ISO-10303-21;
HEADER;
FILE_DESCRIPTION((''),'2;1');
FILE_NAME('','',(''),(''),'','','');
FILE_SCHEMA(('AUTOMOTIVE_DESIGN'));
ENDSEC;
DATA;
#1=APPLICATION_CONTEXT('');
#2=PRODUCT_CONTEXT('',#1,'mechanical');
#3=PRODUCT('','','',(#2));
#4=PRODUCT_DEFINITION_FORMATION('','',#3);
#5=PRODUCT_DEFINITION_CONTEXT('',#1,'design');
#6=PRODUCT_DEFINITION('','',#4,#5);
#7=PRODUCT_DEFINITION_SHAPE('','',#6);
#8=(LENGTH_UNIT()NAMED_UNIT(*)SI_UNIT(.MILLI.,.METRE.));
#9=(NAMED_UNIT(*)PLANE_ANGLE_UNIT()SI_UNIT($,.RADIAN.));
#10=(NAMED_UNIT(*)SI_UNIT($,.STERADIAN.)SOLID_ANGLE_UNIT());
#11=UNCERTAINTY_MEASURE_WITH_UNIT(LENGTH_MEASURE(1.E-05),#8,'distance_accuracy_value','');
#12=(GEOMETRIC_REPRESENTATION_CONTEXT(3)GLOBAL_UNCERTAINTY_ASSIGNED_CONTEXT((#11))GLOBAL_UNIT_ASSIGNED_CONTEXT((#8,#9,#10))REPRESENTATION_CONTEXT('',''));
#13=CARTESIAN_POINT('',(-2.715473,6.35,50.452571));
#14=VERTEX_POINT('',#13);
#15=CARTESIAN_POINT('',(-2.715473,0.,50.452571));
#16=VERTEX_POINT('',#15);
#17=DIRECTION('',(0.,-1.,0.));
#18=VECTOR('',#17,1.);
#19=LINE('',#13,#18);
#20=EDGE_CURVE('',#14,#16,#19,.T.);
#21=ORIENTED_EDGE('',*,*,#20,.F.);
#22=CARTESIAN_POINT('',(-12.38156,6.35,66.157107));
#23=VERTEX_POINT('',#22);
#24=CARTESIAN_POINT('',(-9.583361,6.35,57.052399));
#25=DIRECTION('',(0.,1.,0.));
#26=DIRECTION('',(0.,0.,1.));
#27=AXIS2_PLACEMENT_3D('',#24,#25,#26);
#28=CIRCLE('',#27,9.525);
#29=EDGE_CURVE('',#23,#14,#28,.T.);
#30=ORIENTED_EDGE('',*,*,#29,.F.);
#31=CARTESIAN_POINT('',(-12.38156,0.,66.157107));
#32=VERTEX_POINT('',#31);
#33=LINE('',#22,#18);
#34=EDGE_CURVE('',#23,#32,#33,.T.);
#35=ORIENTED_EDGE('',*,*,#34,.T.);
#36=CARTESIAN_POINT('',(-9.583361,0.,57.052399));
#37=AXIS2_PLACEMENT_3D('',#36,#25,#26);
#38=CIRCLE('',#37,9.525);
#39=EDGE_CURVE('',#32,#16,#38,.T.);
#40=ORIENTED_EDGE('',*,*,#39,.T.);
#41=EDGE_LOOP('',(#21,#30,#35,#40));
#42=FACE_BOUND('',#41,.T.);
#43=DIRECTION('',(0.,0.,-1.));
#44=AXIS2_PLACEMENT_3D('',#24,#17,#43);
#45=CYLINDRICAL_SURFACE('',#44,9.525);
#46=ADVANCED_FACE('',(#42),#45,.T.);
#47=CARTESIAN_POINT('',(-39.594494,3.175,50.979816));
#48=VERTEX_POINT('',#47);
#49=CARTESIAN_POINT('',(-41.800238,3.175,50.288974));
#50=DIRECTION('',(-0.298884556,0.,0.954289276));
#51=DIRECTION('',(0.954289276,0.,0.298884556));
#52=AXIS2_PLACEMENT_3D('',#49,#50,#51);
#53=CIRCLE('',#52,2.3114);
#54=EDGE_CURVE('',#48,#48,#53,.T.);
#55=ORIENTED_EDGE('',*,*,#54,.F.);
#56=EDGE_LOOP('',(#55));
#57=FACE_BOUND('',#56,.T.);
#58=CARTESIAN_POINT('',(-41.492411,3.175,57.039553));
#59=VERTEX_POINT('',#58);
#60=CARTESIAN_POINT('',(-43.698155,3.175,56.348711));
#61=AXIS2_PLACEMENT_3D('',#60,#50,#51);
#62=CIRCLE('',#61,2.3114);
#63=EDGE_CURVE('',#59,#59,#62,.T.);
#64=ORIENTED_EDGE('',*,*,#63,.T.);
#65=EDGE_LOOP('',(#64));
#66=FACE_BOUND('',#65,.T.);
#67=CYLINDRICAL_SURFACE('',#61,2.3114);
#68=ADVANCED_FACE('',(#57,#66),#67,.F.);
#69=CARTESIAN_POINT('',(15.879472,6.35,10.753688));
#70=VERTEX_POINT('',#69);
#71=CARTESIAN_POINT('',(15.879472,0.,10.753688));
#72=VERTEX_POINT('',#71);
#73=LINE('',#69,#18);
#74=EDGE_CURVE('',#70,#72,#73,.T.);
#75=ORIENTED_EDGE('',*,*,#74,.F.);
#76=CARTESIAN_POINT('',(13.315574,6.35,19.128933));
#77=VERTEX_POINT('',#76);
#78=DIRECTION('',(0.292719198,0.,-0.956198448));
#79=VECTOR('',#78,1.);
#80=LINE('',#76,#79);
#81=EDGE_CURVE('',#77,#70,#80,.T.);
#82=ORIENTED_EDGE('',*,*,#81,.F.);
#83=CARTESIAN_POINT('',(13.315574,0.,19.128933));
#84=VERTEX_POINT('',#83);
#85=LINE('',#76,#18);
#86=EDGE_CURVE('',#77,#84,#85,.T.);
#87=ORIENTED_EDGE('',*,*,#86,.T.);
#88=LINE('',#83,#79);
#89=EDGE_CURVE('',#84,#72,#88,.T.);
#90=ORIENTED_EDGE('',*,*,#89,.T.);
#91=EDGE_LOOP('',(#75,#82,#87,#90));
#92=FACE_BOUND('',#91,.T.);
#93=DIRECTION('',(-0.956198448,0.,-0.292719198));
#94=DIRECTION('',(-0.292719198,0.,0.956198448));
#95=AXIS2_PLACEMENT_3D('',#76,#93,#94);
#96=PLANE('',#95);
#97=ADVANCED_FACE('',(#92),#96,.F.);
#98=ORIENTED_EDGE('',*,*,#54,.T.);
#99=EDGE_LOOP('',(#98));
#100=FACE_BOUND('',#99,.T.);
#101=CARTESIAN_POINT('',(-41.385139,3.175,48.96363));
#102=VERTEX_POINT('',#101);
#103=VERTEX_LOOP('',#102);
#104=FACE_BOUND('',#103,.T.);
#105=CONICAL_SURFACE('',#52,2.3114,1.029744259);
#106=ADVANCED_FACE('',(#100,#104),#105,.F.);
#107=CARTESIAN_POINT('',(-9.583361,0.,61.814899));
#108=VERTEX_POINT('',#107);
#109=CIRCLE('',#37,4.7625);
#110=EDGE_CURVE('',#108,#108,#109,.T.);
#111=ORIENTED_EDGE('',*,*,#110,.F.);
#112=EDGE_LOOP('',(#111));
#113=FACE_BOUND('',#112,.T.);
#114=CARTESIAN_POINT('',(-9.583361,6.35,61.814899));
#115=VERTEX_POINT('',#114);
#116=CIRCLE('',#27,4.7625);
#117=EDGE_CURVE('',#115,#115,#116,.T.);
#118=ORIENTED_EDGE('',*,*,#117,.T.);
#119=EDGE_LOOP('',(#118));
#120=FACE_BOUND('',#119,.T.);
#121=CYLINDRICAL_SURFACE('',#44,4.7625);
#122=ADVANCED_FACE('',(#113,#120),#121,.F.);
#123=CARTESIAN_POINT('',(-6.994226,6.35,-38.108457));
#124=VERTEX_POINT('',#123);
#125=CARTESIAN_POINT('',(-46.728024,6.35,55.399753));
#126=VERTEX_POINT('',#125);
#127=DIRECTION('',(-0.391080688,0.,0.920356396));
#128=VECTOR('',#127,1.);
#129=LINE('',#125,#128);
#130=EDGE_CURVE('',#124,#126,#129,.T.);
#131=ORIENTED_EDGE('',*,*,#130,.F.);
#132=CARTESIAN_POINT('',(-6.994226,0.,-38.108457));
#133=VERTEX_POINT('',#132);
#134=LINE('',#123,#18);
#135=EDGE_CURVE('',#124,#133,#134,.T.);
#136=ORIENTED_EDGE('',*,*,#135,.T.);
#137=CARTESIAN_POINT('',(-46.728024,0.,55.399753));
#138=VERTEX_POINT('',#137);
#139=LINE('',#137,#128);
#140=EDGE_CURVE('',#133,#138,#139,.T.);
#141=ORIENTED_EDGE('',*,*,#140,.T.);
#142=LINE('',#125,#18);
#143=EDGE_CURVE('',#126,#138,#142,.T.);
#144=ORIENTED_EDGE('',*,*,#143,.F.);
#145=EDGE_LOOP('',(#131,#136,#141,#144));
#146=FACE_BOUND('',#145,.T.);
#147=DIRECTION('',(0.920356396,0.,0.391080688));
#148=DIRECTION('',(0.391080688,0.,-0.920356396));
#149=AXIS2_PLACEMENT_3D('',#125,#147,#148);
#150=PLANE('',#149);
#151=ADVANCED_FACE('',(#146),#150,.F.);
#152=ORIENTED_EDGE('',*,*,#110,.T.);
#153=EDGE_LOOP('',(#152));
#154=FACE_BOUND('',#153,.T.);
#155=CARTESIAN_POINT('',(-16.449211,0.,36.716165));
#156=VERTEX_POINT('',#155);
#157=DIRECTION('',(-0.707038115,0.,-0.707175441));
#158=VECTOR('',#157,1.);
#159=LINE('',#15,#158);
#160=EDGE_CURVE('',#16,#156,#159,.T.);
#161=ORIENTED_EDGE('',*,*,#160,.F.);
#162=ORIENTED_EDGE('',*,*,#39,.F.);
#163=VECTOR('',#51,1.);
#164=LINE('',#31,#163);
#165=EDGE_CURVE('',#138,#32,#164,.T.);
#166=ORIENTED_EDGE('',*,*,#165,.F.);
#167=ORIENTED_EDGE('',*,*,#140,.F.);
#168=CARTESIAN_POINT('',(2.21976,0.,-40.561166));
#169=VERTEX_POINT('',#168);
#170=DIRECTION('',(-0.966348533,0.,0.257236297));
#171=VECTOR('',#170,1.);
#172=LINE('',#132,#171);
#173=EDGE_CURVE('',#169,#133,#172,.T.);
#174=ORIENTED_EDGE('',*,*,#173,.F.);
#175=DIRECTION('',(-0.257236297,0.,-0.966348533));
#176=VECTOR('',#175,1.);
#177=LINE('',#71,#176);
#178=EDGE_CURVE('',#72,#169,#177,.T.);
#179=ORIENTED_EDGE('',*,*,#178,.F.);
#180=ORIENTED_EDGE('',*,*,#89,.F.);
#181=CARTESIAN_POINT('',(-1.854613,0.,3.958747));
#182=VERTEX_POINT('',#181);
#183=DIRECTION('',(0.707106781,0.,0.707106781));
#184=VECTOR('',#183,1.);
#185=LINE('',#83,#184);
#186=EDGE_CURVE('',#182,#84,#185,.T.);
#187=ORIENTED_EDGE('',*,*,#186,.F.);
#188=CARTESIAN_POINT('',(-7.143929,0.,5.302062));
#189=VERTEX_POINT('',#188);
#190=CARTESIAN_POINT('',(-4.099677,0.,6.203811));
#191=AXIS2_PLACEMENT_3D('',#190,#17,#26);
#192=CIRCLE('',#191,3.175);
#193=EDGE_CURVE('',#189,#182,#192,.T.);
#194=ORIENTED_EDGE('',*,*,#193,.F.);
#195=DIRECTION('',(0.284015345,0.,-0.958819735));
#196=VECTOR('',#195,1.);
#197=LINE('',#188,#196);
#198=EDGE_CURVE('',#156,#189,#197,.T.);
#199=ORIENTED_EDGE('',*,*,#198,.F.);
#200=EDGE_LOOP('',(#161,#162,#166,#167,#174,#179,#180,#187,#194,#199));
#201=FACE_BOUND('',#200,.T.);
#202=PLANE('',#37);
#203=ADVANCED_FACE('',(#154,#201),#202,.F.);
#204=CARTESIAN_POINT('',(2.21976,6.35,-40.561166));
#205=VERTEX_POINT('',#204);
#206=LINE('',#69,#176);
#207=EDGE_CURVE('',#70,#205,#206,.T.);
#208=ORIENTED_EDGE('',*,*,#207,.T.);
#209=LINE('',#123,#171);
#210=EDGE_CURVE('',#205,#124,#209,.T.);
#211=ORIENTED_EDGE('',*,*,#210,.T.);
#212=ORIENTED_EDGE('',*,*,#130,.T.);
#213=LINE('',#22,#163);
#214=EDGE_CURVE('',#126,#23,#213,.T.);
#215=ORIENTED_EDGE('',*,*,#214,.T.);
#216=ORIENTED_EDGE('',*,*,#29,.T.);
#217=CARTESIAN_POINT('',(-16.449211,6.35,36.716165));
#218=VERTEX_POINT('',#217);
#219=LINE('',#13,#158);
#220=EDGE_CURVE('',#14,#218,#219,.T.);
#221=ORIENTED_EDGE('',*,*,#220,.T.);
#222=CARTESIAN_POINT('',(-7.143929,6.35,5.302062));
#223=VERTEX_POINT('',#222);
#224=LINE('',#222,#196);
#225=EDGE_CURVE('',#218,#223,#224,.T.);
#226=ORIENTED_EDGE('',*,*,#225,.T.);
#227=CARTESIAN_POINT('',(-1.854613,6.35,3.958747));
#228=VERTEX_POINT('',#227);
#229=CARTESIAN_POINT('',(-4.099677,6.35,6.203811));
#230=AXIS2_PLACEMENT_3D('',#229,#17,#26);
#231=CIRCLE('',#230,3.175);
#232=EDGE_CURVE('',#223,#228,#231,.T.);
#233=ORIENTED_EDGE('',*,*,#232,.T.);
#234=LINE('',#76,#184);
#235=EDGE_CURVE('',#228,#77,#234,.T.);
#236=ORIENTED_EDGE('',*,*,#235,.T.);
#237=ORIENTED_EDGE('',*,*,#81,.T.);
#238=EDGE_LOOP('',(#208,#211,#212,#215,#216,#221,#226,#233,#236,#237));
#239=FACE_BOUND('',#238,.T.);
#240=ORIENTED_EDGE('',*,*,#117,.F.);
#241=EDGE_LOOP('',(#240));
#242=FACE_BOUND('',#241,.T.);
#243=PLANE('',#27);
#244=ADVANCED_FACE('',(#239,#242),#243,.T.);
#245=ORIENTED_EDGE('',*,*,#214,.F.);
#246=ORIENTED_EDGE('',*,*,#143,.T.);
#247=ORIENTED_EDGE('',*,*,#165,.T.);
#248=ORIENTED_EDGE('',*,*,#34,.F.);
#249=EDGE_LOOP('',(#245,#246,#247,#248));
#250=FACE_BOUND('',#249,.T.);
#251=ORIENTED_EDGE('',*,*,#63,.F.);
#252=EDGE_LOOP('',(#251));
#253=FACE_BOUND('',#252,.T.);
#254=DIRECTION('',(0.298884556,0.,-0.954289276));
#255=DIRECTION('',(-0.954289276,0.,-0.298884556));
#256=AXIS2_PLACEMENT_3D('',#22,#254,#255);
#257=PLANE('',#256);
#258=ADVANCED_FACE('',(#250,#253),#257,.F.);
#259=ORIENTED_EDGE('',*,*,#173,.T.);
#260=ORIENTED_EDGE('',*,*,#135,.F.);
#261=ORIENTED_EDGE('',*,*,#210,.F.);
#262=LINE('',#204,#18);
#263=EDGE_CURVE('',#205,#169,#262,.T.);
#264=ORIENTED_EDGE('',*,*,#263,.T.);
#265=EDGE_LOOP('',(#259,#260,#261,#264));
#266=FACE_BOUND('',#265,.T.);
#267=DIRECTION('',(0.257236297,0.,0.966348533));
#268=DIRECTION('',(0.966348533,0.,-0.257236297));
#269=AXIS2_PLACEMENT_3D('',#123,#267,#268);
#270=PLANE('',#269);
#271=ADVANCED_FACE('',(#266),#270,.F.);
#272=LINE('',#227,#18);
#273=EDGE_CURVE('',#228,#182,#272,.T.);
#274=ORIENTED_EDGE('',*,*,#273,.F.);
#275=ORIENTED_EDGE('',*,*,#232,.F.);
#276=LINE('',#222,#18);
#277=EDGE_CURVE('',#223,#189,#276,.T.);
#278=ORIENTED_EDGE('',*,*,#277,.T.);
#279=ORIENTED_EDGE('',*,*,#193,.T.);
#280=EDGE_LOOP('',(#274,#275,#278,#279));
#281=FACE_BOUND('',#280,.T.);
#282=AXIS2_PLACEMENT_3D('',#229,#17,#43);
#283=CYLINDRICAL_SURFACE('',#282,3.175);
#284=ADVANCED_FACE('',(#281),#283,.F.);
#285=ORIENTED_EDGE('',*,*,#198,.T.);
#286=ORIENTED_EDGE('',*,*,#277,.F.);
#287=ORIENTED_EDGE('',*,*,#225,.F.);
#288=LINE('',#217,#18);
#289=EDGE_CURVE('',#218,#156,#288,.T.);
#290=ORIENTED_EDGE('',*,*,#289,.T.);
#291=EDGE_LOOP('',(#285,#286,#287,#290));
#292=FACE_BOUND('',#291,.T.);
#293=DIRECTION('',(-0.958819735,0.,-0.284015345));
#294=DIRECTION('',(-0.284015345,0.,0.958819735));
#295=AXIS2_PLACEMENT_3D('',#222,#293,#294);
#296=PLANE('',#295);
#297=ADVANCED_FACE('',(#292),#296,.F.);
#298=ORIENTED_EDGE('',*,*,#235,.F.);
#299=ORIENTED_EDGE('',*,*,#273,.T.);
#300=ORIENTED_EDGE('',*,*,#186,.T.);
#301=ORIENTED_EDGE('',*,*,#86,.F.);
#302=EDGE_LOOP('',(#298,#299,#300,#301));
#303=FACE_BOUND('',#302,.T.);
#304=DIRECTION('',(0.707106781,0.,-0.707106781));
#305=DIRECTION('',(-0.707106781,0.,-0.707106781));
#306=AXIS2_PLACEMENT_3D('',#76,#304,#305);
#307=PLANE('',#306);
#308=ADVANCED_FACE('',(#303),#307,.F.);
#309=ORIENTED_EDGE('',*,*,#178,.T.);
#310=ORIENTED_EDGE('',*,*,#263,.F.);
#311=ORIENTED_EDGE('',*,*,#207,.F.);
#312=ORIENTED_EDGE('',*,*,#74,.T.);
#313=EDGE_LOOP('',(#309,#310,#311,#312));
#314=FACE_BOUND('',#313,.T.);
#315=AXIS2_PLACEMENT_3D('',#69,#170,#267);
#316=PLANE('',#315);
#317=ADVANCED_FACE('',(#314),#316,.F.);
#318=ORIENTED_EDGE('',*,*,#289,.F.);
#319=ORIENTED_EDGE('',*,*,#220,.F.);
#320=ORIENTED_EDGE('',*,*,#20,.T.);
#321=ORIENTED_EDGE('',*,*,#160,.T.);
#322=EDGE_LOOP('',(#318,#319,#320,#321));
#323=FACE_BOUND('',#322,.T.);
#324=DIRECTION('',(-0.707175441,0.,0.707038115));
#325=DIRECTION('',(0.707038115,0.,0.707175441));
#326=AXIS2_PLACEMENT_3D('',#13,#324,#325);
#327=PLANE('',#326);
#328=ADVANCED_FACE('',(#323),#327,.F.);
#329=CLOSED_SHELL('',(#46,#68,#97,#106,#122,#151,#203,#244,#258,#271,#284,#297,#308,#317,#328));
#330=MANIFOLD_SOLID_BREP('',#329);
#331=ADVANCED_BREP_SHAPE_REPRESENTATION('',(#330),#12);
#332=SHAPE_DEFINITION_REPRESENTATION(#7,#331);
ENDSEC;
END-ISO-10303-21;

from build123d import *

# Parameters (mm, degrees)
SKETCH1_R                       = 4.7625
BOSS_EXTRUDE1_DEPTH             = 6.35
F_14_0_182_DIAMETER_HOLE1_D     = 4.6228
F_14_0_182_DIAMETER_HOLE1_DEPTH = 6.35
F_14_0_182_DIAMETER_HOLE1_TIP   = 1.388829235


with BuildPart() as part:
    # Sketch1 → Boss-Extrude1 (new body)
    with BuildSketch(Plane(origin=(0, 0, 0), x_dir=(1, 0, 0), z_dir=(0, 1, 0))):
        with BuildLine():
            Line((-2.715472603, -50.452570894), (-16.449210706, -36.716165316))
            Line((-16.449210706, -36.716165316), (-7.143929399, -5.302062091))
            ThreePointArc((-7.143929399, -5.302062091), (-4.881213446, -3.126502672), (-1.85461271, -3.95874678))
            Line((-1.85461271, -3.95874678), (13.315573809, -19.128933299))
            Line((13.315573809, -19.128933299), (15.879471691, -10.753687697))
            Line((15.879471691, -10.753687697), (2.2197595, 40.561165667))
            Line((2.2197595, 40.561165667), (-6.994225827, 38.108456959))
            Line((-6.994225827, 38.108456959), (-46.728023778, -55.399752843))
            Line((-46.728023778, -55.399752843), (-12.38156047, -66.157106701))
            ThreePointArc((-12.38156047, -66.157106701), (-1.47172138, -62.045085351), (-2.715472603, -50.452570894))
        make_face()
        with Locations(Location((-9.583361485, -57.052398719, 0), (0, 0, 270))):
            Circle(SKETCH1_R, mode=Mode.SUBTRACT)
    extrude(amount=BOSS_EXTRUDE1_DEPTH)

    # #14 (0.182) Diameter Hole1
    with Locations(Plane(origin=(-19.975553156, 0, 63.778659005), x_dir=(0.9542892760421928, 0, 0.29888455569143674), z_dir=(-0.29888455569143674, 0, 0.9542892760421928))):
        with Locations((-24.858921468, 3.175)):
            Hole(F_14_0_182_DIAMETER_HOLE1_D / 2, depth=F_14_0_182_DIAMETER_HOLE1_DEPTH)
            with Locations((0, 0, -(F_14_0_182_DIAMETER_HOLE1_DEPTH + F_14_0_182_DIAMETER_HOLE1_TIP / 2))):  # 118° drill point
                Cone(0, F_14_0_182_DIAMETER_HOLE1_D / 2, F_14_0_182_DIAMETER_HOLE1_TIP, mode=Mode.SUBTRACT)


solid = part.part
